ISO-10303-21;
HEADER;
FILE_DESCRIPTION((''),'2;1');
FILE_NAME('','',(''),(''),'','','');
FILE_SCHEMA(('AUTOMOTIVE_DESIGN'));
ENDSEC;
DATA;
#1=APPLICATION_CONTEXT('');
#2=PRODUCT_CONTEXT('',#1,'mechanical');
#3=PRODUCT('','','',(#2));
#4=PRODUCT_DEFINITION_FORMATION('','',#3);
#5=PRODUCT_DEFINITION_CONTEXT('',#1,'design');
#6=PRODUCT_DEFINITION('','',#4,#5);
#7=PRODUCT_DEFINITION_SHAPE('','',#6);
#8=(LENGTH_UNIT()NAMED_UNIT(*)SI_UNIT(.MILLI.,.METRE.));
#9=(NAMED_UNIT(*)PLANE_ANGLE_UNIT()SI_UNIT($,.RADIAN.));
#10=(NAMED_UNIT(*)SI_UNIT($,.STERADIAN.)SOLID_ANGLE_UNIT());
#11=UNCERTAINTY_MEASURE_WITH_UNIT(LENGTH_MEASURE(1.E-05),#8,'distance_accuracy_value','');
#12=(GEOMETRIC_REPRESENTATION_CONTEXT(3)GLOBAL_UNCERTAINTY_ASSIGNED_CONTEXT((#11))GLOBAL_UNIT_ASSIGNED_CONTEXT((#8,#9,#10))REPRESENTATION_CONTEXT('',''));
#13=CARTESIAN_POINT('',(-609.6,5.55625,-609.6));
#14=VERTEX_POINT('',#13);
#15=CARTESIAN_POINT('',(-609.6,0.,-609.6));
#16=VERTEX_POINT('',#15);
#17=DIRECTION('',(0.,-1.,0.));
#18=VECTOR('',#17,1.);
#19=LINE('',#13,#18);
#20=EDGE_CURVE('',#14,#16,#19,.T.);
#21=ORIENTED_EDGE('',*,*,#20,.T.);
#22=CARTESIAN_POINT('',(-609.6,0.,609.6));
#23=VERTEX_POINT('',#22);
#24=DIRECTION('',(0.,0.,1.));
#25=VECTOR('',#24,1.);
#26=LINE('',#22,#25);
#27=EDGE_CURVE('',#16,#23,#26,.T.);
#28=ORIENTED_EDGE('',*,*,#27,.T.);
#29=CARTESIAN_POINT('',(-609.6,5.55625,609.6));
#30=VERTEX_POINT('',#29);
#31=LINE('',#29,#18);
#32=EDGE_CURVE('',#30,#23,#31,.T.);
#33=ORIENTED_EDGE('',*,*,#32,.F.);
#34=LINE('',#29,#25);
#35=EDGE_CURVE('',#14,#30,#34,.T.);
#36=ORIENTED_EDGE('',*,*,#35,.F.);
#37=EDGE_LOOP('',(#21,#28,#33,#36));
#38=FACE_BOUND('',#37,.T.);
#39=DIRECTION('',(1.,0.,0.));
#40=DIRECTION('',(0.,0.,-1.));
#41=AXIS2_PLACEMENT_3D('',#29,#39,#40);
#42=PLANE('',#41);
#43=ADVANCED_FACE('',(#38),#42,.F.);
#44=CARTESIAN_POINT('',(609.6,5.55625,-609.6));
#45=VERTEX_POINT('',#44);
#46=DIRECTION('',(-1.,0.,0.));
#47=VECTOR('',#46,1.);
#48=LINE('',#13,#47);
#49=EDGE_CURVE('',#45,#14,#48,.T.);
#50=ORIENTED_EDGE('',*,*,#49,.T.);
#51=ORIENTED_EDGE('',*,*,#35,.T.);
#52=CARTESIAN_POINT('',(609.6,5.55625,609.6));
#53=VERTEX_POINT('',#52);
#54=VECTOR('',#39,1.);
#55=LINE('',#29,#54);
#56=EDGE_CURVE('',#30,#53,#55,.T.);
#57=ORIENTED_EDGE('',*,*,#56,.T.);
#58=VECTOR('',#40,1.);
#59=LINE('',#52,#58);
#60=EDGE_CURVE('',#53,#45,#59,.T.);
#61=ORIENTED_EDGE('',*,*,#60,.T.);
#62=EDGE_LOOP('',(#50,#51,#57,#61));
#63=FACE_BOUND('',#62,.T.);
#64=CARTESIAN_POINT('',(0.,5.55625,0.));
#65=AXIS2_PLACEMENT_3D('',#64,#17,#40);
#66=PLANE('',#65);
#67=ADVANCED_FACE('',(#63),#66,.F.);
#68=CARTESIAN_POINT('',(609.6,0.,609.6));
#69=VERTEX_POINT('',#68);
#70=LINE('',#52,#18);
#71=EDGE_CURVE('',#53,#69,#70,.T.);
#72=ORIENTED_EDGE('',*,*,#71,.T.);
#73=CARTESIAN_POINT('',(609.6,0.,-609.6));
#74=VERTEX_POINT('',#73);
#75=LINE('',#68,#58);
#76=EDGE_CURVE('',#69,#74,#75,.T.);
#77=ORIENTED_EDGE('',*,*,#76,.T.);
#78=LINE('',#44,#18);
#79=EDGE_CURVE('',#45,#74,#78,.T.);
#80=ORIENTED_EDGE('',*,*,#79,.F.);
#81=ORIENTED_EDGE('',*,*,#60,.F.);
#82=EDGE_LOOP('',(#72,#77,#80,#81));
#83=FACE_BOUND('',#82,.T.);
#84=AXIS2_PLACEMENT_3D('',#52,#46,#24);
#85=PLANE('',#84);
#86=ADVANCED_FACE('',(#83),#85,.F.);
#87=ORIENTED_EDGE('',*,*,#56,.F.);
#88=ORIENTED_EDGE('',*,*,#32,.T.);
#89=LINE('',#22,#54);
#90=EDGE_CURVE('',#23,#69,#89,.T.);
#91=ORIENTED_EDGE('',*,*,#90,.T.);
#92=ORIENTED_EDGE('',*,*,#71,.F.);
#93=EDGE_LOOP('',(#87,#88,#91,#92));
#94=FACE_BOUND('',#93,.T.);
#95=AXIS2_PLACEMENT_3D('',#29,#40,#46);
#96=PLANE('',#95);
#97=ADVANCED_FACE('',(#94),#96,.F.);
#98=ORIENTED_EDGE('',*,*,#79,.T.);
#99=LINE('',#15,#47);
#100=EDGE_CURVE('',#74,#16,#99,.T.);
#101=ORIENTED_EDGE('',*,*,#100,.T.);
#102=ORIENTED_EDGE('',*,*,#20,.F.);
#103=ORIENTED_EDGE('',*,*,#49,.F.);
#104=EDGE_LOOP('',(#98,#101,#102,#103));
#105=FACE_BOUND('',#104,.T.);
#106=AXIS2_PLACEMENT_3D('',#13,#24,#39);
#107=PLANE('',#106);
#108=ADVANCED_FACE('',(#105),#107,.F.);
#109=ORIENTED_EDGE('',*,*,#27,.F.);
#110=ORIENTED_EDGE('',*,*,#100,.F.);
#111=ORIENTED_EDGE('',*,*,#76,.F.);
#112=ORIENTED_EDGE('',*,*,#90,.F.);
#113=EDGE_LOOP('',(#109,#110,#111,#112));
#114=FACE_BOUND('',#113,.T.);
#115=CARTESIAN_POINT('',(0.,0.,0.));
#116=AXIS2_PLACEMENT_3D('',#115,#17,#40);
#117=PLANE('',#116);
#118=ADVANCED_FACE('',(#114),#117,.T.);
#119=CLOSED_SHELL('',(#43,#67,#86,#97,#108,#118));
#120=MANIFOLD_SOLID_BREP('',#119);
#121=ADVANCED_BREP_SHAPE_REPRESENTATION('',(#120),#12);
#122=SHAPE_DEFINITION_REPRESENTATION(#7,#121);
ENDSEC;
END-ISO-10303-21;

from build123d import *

# Parameters (mm, degrees)
SKETCH1_W           = 1219.2
SKETCH1_H           = 1219.2
BOSS_EXTRUDE1_DEPTH = 5.55625


with BuildPart() as part:
    # Sketch1 → Boss-Extrude1 (new body)
    with BuildSketch(Plane(origin=(0, 0, 0), x_dir=(1, 0, 0), z_dir=(0, 1, 0))):
        Rectangle(SKETCH1_W, SKETCH1_H)
    extrude(amount=BOSS_EXTRUDE1_DEPTH)


solid = part.part
